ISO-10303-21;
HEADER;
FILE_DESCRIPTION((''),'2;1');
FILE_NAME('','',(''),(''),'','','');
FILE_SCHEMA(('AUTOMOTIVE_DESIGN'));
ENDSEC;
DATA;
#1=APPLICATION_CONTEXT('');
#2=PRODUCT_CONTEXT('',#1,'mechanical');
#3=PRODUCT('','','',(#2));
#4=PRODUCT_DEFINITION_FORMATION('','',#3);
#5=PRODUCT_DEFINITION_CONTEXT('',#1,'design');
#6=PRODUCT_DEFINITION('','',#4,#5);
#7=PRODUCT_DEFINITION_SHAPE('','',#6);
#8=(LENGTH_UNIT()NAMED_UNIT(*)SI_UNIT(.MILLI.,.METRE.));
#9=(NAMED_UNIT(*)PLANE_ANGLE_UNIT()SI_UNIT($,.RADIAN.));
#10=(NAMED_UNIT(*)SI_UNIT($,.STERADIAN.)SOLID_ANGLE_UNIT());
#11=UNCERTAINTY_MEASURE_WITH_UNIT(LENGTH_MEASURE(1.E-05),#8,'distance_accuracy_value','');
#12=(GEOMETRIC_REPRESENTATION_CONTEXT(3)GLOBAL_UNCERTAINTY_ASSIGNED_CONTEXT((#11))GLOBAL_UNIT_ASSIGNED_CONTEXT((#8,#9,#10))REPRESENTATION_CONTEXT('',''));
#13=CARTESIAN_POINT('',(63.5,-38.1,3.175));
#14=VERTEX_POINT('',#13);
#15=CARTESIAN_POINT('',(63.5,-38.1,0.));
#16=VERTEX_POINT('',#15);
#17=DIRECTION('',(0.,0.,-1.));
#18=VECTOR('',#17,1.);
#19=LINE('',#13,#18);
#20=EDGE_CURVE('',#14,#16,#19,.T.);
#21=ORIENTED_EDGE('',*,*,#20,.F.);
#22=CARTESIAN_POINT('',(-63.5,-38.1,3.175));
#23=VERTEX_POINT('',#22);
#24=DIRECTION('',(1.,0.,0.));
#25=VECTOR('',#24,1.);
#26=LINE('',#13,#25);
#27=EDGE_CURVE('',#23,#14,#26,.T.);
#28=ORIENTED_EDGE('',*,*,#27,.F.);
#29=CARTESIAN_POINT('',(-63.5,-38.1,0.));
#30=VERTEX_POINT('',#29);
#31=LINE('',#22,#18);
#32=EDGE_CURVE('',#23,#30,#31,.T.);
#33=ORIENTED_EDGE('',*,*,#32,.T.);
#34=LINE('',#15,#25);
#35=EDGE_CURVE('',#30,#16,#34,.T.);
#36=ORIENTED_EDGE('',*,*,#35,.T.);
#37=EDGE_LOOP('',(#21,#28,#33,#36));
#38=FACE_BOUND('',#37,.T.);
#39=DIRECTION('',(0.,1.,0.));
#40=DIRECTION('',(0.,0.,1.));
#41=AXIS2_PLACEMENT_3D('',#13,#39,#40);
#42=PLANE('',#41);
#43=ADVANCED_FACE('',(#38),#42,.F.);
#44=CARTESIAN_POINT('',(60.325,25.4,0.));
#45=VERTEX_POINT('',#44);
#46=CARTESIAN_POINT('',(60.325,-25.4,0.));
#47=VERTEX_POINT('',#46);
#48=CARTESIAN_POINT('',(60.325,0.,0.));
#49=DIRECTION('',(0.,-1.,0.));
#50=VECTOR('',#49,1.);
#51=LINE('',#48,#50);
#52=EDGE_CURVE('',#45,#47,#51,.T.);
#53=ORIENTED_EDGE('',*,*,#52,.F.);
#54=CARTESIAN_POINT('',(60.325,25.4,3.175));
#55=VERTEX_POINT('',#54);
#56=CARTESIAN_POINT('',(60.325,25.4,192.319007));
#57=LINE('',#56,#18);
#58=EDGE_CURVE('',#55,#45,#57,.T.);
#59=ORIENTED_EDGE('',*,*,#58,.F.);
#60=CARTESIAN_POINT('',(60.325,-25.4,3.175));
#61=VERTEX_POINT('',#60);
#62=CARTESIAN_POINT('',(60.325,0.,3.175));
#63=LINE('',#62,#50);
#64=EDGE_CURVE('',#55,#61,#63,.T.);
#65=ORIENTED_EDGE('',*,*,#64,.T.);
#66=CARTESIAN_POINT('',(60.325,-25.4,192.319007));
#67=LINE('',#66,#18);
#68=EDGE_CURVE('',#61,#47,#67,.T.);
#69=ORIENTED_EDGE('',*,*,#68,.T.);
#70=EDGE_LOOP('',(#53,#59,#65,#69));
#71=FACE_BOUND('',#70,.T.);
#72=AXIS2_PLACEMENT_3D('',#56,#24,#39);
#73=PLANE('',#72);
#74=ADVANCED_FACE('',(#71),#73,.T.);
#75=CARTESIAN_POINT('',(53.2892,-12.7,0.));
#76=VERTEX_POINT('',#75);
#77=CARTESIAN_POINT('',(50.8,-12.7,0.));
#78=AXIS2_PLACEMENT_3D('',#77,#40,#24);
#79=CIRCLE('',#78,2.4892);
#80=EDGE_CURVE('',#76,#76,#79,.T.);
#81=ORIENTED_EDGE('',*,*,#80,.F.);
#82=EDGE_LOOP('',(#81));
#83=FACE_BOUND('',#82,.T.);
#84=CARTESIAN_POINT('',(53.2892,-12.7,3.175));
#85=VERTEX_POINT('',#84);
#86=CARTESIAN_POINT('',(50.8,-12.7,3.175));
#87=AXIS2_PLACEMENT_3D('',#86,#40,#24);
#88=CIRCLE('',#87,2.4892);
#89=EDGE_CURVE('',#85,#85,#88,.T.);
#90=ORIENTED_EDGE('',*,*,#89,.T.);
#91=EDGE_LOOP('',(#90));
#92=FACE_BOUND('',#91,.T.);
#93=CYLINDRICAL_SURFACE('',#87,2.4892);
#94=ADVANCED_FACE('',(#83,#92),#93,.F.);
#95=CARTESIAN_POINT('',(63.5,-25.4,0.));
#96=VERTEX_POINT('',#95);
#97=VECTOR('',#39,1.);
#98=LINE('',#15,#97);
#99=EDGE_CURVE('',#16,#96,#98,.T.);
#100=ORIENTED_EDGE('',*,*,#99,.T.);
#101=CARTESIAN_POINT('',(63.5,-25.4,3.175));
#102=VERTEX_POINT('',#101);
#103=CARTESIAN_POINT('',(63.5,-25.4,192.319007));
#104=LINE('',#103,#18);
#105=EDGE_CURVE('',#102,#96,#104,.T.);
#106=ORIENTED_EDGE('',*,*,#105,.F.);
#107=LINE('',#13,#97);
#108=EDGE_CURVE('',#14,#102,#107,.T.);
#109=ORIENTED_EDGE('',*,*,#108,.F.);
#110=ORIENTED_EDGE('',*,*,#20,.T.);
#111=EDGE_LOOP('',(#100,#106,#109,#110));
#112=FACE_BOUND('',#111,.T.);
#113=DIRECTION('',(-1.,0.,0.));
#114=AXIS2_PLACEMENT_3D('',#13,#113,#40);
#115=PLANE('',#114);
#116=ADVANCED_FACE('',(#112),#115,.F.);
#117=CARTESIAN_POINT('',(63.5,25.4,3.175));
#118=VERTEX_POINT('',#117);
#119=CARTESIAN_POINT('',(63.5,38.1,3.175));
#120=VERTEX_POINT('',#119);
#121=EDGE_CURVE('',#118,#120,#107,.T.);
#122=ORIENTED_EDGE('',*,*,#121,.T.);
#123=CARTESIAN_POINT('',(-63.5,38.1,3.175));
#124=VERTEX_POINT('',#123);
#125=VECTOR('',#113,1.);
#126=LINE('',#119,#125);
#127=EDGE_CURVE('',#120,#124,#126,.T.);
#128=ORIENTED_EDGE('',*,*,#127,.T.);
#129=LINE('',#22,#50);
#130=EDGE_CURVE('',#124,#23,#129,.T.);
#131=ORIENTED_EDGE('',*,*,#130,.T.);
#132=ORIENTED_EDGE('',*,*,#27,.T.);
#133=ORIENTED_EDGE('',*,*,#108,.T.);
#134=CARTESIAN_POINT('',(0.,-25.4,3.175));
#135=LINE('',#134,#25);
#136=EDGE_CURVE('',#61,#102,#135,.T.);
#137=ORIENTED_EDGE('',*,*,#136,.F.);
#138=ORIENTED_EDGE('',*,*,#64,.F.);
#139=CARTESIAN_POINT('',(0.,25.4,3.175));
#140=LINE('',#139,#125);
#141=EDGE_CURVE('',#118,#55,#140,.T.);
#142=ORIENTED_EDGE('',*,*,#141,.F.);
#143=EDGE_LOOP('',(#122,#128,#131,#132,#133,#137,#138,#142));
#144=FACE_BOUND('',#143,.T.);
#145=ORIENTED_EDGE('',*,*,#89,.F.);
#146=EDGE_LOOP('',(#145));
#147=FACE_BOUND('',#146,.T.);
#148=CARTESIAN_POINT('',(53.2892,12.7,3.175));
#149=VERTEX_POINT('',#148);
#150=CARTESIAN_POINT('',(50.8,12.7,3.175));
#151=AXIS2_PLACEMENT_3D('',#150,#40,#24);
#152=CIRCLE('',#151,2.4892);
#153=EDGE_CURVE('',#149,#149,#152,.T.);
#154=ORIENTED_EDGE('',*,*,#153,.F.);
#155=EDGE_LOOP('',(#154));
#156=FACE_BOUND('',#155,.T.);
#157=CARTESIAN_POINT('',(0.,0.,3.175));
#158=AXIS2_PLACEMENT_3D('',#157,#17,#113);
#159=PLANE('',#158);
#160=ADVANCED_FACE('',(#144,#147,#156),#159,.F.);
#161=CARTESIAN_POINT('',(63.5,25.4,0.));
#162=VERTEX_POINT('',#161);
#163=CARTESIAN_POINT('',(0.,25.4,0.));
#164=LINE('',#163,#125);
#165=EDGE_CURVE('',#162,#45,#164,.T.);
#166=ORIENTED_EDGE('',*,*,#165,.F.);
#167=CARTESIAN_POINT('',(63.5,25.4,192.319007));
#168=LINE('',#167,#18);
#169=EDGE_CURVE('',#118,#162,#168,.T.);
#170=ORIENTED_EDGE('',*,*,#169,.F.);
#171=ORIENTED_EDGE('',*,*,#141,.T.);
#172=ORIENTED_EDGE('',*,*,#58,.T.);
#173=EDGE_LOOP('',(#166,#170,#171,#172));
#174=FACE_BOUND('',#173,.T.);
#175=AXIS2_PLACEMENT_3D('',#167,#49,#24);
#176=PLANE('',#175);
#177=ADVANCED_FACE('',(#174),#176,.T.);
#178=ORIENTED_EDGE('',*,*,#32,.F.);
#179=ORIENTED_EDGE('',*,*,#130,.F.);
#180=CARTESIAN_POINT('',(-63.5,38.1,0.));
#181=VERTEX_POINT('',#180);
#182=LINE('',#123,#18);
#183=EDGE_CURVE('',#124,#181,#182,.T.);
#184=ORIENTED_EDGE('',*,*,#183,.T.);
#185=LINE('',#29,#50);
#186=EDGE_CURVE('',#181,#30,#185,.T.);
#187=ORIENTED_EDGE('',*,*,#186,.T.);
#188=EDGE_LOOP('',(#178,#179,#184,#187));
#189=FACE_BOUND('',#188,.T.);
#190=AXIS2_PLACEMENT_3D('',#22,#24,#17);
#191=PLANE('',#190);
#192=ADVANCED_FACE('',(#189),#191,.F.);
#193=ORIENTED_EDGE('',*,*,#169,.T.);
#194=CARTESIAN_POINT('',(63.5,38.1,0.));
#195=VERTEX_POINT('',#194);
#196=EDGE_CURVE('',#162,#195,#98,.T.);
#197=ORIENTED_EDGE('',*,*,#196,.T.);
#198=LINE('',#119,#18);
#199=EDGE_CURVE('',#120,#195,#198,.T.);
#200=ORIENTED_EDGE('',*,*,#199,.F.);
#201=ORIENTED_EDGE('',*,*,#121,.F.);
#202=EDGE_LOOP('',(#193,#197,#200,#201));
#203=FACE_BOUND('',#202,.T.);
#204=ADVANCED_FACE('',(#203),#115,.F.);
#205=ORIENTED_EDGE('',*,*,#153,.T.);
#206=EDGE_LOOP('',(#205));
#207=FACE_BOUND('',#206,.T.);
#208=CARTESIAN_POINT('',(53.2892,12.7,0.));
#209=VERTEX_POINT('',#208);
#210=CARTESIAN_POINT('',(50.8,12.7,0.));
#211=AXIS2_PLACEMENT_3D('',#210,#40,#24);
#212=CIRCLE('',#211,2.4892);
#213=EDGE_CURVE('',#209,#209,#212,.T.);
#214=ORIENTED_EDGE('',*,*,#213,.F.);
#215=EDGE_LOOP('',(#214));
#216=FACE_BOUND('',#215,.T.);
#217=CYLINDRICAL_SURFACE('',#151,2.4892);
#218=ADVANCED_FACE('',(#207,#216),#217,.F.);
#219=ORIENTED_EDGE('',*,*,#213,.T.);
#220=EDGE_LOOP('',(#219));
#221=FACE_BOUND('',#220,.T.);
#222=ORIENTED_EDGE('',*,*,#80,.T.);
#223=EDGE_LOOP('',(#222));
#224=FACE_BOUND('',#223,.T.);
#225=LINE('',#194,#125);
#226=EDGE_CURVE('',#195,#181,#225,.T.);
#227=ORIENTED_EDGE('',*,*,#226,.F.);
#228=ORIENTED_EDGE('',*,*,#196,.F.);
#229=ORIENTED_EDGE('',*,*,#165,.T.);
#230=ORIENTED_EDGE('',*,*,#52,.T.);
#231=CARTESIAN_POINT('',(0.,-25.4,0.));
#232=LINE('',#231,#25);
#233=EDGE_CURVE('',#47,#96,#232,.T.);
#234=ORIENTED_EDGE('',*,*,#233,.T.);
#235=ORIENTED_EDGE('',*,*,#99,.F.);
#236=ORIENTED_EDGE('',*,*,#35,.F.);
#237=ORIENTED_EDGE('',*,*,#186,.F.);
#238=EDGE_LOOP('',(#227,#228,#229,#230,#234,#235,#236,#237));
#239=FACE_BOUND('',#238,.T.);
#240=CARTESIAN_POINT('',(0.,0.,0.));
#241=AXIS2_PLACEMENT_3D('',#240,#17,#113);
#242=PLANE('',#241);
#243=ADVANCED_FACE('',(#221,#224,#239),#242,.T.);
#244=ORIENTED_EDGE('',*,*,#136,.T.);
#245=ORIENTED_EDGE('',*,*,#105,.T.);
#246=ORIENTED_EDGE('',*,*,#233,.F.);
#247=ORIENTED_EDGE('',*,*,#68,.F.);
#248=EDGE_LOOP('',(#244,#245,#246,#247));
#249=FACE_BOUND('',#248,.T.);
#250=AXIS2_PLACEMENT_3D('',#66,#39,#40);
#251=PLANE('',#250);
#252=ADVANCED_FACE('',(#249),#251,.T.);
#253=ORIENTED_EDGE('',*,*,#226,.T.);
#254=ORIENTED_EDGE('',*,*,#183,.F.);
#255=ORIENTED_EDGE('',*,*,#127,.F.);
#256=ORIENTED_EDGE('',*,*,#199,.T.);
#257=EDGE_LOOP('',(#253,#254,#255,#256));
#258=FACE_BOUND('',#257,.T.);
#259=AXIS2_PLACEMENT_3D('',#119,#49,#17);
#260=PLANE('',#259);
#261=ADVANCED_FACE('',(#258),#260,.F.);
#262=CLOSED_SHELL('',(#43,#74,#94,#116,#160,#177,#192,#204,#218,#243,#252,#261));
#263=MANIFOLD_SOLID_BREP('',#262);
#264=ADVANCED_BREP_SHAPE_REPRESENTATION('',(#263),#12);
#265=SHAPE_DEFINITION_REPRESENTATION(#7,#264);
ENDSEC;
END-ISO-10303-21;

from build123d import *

# Parameters (mm, degrees)
SKETCH1_W                  = 76.2
SKETCH1_H                  = 127
BOSS_EXTRUDE1_DEPTH        = 3.175
F_9_0_196_DIAMETER_HOLE1_D = 4.9784
CUT_EXTRUDE1_DEPTH         = 75.121121315
CUT_EXTRUDE1_DEPTH_BACK    = 75.121121315


with BuildPart() as part:
    # Sketch1 → Boss-Extrude1 (new body)
    with BuildSketch(Plane(origin=(0, 0, 0), x_dir=(0, 1, 0), z_dir=(0, 0, 1))):
        Rectangle(SKETCH1_W, SKETCH1_H)
    extrude(amount=BOSS_EXTRUDE1_DEPTH)

    # #9 (0.196) Diameter Hole1 (through all)
    with Locations(Plane.XY.offset(3.175)):
        with Locations((50.8, -12.7), (50.8, 12.7)):
            Hole(F_9_0_196_DIAMETER_HOLE1_D / 2)

    # Sketch4 → Cut-Extrude1 (cut, two sides: drawn at the far end of the back side and taken through both)
    with BuildSketch(Plane.XY.offset(3.175).offset(-CUT_EXTRUDE1_DEPTH_BACK)):
        Polygon((357.480633142, 25.4), (63.5, 25.4), (60.325, 25.4), (60.325, -25.4), (63.5, -25.4), (357.480633142, -25.4), (945.441899427, -25.4), (945.441899427, 25.4), align=None)
    extrude(amount=CUT_EXTRUDE1_DEPTH + CUT_EXTRUDE1_DEPTH_BACK, mode=Mode.SUBTRACT)


solid = part.part
